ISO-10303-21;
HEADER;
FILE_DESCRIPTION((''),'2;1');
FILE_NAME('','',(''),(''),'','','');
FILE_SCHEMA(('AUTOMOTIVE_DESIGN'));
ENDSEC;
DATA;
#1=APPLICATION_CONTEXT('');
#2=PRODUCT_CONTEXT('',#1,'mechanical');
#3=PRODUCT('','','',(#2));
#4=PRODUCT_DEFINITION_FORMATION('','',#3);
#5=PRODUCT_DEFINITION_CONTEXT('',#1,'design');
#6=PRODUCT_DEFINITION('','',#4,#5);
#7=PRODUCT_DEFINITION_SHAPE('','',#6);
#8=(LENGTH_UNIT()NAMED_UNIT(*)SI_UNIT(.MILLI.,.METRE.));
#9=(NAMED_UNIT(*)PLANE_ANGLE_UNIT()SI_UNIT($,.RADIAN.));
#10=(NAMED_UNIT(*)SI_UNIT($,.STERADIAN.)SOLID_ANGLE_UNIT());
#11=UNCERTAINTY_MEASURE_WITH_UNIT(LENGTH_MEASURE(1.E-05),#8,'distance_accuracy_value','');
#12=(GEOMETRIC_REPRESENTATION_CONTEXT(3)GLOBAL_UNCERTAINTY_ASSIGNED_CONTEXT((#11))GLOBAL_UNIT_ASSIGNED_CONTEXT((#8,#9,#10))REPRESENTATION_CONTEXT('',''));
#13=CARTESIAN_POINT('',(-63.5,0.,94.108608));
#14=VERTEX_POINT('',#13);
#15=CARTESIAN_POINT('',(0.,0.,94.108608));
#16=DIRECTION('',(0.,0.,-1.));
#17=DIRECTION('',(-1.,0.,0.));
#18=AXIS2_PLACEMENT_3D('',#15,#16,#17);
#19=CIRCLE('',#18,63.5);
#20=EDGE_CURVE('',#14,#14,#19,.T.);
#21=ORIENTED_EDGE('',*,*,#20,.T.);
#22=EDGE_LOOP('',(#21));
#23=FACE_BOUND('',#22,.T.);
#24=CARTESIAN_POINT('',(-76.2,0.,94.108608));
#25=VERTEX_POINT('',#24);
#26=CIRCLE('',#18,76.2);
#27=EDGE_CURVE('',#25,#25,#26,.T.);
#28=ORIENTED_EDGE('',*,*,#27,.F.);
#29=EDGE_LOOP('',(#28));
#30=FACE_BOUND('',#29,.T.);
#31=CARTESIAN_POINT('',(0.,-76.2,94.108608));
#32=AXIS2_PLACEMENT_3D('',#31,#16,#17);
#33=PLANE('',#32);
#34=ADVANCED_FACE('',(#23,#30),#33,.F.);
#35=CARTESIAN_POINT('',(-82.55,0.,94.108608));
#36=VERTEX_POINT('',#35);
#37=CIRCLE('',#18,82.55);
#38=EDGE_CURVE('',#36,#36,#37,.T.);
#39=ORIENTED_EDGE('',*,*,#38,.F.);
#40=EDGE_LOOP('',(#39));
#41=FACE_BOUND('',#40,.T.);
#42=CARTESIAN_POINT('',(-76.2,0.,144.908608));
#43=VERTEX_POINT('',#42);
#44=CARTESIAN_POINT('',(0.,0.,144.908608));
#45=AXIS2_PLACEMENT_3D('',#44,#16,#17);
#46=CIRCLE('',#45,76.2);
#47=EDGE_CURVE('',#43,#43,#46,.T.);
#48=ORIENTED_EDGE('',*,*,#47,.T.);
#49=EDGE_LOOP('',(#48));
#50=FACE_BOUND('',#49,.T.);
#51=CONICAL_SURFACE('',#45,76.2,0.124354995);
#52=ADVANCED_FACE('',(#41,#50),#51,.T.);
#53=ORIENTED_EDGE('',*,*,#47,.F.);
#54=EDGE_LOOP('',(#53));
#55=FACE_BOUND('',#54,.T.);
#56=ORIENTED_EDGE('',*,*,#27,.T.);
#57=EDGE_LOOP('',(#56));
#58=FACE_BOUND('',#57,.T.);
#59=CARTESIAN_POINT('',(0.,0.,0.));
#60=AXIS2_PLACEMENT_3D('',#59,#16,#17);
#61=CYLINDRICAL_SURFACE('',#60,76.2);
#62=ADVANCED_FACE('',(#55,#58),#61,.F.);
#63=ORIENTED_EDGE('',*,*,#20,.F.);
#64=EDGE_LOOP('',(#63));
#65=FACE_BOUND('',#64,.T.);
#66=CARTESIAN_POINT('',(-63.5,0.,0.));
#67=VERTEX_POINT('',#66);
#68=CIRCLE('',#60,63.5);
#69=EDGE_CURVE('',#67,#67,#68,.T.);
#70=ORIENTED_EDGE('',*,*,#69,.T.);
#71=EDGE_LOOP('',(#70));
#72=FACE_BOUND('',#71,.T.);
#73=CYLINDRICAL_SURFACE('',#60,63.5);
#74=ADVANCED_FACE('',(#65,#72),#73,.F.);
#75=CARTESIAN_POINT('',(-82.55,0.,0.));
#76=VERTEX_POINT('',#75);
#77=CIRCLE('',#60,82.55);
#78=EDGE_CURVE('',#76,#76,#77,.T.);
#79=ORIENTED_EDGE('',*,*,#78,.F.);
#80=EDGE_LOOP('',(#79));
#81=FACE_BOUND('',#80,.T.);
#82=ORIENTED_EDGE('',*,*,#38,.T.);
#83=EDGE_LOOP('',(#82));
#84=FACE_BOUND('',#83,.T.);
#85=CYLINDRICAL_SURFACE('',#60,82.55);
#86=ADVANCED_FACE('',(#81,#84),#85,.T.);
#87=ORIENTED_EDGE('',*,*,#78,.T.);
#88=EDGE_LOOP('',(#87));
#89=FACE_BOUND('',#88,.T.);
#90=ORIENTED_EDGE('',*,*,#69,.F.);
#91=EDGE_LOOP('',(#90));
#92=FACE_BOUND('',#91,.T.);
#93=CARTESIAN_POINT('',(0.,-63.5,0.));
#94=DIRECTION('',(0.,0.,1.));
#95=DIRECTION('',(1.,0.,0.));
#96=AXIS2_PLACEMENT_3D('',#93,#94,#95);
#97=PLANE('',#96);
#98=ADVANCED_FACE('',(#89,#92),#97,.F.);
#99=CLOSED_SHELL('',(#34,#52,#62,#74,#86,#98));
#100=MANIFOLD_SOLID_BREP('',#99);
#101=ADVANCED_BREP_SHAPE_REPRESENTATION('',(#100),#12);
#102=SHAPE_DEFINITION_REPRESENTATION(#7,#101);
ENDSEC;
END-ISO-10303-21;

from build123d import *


with BuildPart() as part:
    # Sketch1 → Revolve1 (revolve)
    with BuildSketch(Plane.YZ, mode=Mode.PRIVATE) as revolve1_sk:
        Polygon((-63.5, 0), (-82.55, 0), (-82.55, 94.108607595), (-76.2, 144.908607595), (-76.2, 94.108607595), (-63.5, 94.108607595), align=None)
    revolve(revolve1_sk.sketch.rotate(Axis((0, 0, 0), (0, 0, 1)), 270), axis=Axis((0, 0, 0), (0, 0, 1)))


solid = part.part
